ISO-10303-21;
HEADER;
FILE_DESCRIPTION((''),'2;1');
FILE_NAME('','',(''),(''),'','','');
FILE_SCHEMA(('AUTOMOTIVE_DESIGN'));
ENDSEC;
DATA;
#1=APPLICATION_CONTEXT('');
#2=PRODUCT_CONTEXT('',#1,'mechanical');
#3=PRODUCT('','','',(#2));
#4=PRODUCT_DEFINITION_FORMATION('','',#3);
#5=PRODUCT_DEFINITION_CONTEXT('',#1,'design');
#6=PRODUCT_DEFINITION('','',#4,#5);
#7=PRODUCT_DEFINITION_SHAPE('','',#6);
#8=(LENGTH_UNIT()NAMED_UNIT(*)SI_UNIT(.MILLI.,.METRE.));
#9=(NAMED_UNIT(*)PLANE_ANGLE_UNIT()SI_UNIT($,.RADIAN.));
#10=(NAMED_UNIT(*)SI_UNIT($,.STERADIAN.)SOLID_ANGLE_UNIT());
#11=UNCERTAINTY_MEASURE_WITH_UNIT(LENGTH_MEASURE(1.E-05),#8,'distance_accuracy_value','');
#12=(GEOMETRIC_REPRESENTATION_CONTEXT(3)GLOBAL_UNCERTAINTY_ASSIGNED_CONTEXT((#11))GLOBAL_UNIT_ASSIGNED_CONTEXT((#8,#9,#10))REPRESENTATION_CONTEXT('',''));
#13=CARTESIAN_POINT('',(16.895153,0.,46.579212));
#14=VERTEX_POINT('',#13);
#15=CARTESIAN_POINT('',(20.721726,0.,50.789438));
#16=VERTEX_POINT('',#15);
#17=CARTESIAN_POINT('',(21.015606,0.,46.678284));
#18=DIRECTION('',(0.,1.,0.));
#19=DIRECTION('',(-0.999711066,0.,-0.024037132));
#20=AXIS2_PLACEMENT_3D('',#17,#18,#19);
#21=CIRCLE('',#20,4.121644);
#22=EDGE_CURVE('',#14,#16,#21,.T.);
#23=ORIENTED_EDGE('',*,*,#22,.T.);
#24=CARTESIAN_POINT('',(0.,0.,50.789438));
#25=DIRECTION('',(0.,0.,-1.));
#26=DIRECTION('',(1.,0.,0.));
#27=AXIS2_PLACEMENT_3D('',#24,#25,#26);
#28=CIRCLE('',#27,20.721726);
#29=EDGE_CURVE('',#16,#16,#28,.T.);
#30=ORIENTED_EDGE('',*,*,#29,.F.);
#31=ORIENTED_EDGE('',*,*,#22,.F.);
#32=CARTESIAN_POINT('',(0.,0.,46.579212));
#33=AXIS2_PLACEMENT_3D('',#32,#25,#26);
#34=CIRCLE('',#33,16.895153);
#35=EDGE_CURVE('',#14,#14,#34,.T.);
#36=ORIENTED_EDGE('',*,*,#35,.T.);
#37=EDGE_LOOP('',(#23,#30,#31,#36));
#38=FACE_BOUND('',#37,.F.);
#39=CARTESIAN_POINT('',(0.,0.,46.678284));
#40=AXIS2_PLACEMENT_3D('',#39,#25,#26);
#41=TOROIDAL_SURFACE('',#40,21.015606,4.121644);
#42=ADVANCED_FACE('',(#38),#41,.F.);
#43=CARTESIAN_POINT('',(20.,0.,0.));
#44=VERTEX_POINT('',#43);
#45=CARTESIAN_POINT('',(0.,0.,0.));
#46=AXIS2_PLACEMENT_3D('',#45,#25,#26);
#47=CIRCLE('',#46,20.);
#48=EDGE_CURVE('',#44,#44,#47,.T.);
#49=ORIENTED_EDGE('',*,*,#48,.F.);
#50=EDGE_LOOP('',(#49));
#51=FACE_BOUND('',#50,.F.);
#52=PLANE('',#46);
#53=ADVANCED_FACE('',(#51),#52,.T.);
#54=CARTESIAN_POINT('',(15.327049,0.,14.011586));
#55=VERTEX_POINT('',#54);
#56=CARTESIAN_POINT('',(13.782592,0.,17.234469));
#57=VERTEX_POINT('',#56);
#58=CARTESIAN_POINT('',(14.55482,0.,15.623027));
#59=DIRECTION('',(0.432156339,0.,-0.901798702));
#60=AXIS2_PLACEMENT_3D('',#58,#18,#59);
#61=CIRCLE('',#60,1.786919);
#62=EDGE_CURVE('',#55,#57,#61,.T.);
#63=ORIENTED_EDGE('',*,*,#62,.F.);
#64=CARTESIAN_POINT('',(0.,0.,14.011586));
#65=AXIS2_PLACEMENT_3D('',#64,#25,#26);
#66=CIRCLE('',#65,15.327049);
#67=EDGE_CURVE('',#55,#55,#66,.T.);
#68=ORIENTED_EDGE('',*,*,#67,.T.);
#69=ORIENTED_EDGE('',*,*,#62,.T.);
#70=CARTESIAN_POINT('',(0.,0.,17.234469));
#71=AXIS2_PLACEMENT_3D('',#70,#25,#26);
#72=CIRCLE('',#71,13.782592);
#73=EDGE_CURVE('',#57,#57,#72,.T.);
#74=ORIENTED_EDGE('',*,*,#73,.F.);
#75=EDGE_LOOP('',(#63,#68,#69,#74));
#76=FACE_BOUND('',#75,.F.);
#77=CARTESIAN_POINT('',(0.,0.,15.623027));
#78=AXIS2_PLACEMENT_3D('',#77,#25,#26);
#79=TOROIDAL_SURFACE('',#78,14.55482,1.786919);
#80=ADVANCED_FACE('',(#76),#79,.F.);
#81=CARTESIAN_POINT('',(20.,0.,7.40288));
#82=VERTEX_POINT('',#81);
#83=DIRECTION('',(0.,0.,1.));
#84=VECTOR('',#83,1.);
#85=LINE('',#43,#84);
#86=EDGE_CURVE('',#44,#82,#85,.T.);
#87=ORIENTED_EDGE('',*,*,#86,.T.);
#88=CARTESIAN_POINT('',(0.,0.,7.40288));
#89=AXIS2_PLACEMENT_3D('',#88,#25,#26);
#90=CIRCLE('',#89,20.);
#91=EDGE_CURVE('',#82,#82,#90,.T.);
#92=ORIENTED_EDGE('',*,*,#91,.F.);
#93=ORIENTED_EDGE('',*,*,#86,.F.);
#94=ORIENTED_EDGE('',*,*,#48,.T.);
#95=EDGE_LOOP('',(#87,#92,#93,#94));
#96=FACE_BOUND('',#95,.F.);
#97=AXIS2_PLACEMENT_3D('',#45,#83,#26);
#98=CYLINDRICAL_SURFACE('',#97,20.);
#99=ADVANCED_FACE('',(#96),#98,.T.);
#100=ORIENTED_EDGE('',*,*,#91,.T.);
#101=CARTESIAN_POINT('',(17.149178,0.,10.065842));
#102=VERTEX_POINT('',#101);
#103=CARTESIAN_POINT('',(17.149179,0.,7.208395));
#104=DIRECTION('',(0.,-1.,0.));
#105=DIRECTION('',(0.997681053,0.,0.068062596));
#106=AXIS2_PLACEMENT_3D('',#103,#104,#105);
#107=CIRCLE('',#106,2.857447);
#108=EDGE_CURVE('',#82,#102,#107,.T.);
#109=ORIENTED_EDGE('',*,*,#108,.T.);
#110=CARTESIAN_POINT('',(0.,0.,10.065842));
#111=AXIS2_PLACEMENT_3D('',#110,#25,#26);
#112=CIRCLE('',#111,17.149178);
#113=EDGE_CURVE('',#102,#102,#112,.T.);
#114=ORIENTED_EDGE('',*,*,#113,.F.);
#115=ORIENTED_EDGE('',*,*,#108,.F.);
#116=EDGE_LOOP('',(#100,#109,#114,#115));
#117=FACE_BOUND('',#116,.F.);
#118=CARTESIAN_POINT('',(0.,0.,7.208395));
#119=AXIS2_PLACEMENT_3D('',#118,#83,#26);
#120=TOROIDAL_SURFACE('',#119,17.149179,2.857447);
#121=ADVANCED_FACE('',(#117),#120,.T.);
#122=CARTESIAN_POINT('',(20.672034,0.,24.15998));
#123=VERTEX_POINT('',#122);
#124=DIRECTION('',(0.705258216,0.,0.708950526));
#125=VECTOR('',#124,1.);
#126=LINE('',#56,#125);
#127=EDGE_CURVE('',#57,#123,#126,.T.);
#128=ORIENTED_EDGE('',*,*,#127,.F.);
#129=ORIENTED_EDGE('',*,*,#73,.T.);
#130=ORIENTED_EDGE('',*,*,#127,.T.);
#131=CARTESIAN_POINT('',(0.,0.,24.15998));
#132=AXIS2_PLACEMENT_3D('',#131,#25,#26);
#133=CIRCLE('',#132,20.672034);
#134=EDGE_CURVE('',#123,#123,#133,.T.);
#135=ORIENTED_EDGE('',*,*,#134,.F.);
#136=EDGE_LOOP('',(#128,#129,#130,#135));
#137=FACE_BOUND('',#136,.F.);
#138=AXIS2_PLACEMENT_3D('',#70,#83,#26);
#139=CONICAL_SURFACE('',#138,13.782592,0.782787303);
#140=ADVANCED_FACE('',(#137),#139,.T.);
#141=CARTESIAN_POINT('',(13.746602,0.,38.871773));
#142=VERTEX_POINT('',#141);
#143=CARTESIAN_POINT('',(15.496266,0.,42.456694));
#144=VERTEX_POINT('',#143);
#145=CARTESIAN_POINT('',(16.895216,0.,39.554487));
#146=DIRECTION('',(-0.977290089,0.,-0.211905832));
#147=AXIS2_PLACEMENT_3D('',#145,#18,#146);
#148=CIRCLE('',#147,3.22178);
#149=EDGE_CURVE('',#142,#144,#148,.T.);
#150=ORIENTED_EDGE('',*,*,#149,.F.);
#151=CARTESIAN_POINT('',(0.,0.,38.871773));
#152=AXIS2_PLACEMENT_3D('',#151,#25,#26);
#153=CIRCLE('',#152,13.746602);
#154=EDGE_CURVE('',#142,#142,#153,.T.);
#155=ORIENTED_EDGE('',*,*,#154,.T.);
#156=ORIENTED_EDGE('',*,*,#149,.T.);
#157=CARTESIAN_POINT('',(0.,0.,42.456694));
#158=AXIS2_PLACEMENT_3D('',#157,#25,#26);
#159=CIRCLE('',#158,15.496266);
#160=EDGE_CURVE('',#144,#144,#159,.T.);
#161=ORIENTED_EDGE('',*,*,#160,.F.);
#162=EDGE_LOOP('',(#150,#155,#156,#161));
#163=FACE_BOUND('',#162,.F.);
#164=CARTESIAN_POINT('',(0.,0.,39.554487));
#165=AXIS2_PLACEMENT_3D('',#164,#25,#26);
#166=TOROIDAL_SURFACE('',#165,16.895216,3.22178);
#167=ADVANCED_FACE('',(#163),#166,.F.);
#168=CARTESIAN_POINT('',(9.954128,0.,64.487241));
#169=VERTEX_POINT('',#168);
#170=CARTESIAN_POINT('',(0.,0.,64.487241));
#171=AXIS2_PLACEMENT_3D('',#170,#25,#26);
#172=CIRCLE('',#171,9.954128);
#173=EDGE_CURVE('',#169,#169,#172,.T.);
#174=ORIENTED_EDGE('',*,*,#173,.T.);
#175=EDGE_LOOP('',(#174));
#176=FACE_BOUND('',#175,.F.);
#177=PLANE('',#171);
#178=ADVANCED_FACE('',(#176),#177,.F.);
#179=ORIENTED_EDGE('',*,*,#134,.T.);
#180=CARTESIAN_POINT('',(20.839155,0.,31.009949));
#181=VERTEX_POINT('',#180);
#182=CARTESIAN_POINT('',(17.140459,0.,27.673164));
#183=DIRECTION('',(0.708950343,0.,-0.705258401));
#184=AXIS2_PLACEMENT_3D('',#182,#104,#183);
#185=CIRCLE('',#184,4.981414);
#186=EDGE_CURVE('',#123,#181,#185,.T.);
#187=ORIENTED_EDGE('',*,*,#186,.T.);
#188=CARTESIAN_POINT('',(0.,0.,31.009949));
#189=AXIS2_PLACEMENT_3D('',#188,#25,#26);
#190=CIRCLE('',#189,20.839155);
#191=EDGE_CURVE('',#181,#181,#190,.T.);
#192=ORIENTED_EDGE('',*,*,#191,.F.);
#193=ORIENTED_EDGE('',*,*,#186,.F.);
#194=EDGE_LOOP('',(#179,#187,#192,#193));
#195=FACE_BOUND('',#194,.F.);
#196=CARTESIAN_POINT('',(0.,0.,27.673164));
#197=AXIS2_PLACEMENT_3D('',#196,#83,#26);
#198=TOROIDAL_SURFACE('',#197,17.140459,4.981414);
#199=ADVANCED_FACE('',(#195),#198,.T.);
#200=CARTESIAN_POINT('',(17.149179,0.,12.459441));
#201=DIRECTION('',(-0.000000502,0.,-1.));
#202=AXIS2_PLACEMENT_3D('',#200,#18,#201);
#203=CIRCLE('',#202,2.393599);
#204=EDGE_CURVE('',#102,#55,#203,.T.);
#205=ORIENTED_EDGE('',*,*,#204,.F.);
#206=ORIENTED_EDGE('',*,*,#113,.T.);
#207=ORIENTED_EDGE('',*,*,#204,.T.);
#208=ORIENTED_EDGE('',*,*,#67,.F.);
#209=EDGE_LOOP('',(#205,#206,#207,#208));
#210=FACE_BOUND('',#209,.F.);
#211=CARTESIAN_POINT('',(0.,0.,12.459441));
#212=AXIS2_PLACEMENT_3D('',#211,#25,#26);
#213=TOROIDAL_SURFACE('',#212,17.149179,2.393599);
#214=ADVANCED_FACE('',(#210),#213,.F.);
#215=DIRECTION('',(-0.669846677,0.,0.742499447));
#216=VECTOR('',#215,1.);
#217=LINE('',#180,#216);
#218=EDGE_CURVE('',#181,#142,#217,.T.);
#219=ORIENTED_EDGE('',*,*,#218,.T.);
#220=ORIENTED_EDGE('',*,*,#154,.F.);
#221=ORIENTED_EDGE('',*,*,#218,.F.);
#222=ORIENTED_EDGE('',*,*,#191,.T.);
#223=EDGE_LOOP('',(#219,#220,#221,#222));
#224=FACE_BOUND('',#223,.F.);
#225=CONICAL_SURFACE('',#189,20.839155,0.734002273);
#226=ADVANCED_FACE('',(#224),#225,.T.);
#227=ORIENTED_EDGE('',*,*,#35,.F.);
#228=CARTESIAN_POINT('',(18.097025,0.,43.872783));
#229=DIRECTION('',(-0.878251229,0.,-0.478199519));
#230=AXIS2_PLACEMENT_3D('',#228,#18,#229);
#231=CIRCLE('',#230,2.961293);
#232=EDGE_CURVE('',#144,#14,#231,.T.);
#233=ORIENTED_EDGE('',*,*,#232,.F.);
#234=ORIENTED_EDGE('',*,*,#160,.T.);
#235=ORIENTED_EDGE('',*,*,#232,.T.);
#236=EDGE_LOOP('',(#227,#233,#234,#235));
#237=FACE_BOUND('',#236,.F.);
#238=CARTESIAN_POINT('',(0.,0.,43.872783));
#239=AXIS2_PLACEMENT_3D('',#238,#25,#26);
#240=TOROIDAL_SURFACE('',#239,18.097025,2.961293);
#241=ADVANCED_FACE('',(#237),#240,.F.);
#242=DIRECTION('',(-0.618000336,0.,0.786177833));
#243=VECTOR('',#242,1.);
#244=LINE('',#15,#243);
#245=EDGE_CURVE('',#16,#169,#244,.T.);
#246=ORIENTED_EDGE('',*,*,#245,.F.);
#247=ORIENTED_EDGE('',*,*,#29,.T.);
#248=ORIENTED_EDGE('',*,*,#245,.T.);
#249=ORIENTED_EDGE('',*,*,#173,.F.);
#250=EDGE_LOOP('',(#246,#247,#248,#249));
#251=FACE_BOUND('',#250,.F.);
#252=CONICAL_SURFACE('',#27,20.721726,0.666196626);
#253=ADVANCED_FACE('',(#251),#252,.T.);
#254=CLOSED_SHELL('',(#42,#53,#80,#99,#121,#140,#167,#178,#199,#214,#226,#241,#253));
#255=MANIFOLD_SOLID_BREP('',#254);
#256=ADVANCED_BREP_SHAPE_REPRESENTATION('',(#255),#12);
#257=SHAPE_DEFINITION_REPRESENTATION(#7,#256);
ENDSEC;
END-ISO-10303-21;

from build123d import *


with BuildPart() as f1:
    # F0 (on Front) → F1 (revolve)
    with BuildSketch(Plane.XZ):
        with BuildLine():
            Line((0, 64.487241), (0, 0))
            Line((0, 0), (20, 0))
            Line((20, 0), (20, 7.40288))
            ThreePointArc((20, 7.40288), (19.099727, 9.296544), (17.149178, 10.065842))
            ThreePointArc((17.149178, 10.065842), (14.976102, 11.455922), (15.327049, 14.011586))
            ThreePointArc((15.327049, 14.011586), (12.943379, 14.850799), (13.782592, 17.234469))
            Line((13.782592, 17.234469), (20.672034, 24.15998))
            ThreePointArc((20.672034, 24.15998), (22.120391, 27.551667), (20.839155, 31.009949))
            Line((20.839155, 31.009949), (13.746602, 38.871773))
            ThreePointArc((13.746602, 38.871773), (13.999875, 40.967593), (15.496266, 42.456694))
            ThreePointArc((15.496266, 42.456694), (15.29278, 44.824342), (16.895153, 46.579212))
            ThreePointArc((16.895153, 46.579212), (17.96551, 49.450443), (20.721726, 50.789438))
            Line((20.721726, 50.789438), (9.954128, 64.487241))
            Line((9.954128, 64.487241), (0, 64.487241))
        make_face()
    revolve(axis=Axis((0, 0, 32.243621), (0, 0, -1)))


solid = f1.part
